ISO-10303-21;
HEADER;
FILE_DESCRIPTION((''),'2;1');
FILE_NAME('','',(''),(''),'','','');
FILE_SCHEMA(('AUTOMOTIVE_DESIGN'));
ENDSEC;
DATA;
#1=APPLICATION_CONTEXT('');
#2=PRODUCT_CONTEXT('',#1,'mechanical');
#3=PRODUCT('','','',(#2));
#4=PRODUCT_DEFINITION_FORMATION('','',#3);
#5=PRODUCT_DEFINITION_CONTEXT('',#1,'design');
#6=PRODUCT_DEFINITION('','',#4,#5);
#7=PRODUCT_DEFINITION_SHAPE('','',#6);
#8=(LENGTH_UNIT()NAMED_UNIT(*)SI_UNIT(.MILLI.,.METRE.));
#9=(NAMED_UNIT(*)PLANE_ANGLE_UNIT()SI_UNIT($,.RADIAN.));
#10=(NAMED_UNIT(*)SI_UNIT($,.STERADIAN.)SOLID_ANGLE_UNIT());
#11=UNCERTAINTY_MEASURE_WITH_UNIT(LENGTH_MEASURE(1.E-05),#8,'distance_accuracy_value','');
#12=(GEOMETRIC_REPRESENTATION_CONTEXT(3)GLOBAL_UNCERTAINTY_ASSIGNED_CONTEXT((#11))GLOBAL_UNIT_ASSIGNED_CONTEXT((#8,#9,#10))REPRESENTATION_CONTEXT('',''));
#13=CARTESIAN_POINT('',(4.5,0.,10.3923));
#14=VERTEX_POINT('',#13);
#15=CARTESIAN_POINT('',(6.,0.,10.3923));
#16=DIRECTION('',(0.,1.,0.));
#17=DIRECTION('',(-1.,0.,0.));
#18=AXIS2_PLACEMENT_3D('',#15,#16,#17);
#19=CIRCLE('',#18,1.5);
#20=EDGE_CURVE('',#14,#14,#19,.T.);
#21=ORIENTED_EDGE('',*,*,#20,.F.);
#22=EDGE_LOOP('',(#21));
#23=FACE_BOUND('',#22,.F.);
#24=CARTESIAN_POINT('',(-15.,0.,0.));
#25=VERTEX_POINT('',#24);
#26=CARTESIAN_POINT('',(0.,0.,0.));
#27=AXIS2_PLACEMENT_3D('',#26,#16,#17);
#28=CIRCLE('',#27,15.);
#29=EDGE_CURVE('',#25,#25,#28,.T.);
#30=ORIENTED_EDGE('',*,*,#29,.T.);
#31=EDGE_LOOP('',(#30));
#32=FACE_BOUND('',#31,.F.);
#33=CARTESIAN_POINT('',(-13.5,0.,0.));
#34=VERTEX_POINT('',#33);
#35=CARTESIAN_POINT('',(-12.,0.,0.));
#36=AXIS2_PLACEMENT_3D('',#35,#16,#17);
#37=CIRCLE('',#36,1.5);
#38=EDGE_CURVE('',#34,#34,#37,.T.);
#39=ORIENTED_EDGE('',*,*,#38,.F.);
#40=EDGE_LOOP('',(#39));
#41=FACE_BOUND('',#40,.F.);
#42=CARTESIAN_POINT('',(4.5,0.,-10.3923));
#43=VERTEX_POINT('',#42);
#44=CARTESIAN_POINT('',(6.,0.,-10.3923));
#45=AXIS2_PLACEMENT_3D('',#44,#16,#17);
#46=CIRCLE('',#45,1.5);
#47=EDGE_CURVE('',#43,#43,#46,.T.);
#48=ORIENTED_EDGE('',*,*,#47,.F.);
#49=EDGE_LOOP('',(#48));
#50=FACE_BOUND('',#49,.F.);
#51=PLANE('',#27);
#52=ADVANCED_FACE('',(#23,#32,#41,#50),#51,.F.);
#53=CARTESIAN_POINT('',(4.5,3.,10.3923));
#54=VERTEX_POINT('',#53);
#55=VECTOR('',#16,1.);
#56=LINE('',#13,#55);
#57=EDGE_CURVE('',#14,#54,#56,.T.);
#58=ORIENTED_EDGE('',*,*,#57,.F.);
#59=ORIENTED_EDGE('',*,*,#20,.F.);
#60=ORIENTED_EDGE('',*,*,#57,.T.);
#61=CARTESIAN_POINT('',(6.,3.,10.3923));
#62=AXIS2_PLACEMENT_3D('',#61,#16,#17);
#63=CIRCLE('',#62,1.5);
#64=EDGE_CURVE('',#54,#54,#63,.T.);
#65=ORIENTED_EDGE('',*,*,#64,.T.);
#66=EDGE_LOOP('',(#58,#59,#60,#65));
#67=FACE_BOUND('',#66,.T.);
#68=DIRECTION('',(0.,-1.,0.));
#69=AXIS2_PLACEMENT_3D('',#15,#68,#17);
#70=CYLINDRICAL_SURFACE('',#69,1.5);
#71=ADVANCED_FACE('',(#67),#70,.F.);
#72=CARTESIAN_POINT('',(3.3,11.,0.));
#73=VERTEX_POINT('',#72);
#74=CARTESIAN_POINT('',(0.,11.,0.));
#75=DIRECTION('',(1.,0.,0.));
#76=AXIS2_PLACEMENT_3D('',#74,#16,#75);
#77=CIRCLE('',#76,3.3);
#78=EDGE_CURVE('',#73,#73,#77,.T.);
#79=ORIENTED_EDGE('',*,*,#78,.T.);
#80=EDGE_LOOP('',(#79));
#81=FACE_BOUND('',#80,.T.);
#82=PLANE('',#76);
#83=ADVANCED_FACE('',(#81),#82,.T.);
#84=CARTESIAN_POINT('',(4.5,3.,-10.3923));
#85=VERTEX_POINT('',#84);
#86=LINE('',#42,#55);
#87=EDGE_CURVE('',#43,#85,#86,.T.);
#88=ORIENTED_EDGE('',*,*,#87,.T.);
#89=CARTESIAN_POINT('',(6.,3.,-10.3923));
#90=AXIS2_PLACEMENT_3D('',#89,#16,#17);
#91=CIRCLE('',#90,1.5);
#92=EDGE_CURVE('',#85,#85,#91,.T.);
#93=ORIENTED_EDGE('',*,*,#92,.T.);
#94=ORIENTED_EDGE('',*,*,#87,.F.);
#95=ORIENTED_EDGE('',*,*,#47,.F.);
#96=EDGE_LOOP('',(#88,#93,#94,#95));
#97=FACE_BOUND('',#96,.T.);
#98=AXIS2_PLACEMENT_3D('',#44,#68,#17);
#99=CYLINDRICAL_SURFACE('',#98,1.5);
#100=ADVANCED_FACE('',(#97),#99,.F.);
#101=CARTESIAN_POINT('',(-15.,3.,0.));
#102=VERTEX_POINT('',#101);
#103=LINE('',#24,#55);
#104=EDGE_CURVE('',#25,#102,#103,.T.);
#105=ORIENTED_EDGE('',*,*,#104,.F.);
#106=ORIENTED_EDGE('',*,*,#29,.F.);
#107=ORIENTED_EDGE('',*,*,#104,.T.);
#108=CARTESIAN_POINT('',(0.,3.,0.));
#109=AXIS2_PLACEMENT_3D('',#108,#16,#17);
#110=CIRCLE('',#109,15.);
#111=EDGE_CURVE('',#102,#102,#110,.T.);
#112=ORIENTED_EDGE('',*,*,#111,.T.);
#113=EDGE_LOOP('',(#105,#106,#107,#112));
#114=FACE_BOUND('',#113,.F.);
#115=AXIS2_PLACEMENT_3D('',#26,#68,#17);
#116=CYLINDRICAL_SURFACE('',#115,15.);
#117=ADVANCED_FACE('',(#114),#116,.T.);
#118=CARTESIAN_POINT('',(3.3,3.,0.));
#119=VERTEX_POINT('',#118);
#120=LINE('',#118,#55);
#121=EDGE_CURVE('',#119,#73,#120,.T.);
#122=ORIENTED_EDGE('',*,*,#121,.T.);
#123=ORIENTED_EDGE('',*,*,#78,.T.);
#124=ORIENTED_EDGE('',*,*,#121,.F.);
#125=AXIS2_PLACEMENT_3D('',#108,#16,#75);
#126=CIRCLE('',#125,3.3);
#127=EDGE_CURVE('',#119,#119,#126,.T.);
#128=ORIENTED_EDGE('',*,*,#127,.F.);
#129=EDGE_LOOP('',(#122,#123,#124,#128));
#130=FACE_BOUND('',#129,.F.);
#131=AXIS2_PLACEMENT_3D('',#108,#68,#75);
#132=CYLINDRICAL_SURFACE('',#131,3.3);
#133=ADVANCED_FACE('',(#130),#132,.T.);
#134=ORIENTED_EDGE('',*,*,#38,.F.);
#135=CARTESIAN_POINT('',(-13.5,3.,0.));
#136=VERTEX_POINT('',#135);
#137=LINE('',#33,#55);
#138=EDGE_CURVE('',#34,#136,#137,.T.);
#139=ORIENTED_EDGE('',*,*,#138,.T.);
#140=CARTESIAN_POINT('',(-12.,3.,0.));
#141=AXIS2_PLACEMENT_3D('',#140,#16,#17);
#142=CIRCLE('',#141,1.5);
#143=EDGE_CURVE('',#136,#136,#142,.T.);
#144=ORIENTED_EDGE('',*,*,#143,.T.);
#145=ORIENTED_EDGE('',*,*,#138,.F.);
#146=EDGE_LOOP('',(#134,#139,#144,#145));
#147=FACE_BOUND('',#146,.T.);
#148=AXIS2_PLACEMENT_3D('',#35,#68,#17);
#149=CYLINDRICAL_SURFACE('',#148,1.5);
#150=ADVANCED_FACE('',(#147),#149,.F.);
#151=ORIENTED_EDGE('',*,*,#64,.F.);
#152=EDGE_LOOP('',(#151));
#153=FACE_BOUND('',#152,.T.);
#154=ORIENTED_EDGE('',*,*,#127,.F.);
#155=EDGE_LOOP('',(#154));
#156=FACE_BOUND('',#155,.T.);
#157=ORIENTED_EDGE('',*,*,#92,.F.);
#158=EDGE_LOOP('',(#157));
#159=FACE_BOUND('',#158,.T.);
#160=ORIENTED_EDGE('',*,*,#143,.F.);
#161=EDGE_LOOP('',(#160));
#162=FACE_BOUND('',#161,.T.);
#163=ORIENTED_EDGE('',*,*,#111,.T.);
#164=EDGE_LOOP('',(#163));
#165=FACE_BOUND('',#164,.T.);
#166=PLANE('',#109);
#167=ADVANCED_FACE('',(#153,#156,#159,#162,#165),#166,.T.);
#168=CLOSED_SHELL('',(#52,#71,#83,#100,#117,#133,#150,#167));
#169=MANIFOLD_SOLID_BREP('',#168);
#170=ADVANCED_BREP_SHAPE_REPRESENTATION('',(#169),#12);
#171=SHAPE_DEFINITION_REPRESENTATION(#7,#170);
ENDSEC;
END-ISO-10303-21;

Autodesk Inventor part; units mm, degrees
ref_plane "YZ Plane" through (0, 0, 0) normal (1, 0, 0) x (0, 1, 0)
ref_plane "XZ Plane" through (0, 0, 0) normal (0, 1, 0) x (-1, 0, 0)
ref_plane "XY Plane" through (0, 0, 0) normal (0, 0, 1) x (1, 0, 0)
sketch "Sketch1" plane through (0, 0, 0) normal (0, 1, 0) x (-1, 0, 0)
  circle A0 centre (0, 0) radius 15
  circle A1 centre (12, 0) radius 1.5
  circle A2 centre (-6, 10.3923) radius 1.5
  circle A3 centre (-6, -10.3923) radius 1.5
  dimension "d0" = 30
  dimension "d1" = 3
  dimension "d2" = 12
  dimension "d5" = 360
extrude "Extrusion1" add sketch "Sketch1" along normal blind 3
sketch "Sketch2" plane through (0, 3, 0) normal (0, 1, 0) x (1, 0, 0)
  circle A0 centre (0, 0) radius 3.3
  dimension "d9" = 6.6
extrude "Extrusion2" add sketch "Sketch2" along normal blind 8
properties part number "connector plunger"
